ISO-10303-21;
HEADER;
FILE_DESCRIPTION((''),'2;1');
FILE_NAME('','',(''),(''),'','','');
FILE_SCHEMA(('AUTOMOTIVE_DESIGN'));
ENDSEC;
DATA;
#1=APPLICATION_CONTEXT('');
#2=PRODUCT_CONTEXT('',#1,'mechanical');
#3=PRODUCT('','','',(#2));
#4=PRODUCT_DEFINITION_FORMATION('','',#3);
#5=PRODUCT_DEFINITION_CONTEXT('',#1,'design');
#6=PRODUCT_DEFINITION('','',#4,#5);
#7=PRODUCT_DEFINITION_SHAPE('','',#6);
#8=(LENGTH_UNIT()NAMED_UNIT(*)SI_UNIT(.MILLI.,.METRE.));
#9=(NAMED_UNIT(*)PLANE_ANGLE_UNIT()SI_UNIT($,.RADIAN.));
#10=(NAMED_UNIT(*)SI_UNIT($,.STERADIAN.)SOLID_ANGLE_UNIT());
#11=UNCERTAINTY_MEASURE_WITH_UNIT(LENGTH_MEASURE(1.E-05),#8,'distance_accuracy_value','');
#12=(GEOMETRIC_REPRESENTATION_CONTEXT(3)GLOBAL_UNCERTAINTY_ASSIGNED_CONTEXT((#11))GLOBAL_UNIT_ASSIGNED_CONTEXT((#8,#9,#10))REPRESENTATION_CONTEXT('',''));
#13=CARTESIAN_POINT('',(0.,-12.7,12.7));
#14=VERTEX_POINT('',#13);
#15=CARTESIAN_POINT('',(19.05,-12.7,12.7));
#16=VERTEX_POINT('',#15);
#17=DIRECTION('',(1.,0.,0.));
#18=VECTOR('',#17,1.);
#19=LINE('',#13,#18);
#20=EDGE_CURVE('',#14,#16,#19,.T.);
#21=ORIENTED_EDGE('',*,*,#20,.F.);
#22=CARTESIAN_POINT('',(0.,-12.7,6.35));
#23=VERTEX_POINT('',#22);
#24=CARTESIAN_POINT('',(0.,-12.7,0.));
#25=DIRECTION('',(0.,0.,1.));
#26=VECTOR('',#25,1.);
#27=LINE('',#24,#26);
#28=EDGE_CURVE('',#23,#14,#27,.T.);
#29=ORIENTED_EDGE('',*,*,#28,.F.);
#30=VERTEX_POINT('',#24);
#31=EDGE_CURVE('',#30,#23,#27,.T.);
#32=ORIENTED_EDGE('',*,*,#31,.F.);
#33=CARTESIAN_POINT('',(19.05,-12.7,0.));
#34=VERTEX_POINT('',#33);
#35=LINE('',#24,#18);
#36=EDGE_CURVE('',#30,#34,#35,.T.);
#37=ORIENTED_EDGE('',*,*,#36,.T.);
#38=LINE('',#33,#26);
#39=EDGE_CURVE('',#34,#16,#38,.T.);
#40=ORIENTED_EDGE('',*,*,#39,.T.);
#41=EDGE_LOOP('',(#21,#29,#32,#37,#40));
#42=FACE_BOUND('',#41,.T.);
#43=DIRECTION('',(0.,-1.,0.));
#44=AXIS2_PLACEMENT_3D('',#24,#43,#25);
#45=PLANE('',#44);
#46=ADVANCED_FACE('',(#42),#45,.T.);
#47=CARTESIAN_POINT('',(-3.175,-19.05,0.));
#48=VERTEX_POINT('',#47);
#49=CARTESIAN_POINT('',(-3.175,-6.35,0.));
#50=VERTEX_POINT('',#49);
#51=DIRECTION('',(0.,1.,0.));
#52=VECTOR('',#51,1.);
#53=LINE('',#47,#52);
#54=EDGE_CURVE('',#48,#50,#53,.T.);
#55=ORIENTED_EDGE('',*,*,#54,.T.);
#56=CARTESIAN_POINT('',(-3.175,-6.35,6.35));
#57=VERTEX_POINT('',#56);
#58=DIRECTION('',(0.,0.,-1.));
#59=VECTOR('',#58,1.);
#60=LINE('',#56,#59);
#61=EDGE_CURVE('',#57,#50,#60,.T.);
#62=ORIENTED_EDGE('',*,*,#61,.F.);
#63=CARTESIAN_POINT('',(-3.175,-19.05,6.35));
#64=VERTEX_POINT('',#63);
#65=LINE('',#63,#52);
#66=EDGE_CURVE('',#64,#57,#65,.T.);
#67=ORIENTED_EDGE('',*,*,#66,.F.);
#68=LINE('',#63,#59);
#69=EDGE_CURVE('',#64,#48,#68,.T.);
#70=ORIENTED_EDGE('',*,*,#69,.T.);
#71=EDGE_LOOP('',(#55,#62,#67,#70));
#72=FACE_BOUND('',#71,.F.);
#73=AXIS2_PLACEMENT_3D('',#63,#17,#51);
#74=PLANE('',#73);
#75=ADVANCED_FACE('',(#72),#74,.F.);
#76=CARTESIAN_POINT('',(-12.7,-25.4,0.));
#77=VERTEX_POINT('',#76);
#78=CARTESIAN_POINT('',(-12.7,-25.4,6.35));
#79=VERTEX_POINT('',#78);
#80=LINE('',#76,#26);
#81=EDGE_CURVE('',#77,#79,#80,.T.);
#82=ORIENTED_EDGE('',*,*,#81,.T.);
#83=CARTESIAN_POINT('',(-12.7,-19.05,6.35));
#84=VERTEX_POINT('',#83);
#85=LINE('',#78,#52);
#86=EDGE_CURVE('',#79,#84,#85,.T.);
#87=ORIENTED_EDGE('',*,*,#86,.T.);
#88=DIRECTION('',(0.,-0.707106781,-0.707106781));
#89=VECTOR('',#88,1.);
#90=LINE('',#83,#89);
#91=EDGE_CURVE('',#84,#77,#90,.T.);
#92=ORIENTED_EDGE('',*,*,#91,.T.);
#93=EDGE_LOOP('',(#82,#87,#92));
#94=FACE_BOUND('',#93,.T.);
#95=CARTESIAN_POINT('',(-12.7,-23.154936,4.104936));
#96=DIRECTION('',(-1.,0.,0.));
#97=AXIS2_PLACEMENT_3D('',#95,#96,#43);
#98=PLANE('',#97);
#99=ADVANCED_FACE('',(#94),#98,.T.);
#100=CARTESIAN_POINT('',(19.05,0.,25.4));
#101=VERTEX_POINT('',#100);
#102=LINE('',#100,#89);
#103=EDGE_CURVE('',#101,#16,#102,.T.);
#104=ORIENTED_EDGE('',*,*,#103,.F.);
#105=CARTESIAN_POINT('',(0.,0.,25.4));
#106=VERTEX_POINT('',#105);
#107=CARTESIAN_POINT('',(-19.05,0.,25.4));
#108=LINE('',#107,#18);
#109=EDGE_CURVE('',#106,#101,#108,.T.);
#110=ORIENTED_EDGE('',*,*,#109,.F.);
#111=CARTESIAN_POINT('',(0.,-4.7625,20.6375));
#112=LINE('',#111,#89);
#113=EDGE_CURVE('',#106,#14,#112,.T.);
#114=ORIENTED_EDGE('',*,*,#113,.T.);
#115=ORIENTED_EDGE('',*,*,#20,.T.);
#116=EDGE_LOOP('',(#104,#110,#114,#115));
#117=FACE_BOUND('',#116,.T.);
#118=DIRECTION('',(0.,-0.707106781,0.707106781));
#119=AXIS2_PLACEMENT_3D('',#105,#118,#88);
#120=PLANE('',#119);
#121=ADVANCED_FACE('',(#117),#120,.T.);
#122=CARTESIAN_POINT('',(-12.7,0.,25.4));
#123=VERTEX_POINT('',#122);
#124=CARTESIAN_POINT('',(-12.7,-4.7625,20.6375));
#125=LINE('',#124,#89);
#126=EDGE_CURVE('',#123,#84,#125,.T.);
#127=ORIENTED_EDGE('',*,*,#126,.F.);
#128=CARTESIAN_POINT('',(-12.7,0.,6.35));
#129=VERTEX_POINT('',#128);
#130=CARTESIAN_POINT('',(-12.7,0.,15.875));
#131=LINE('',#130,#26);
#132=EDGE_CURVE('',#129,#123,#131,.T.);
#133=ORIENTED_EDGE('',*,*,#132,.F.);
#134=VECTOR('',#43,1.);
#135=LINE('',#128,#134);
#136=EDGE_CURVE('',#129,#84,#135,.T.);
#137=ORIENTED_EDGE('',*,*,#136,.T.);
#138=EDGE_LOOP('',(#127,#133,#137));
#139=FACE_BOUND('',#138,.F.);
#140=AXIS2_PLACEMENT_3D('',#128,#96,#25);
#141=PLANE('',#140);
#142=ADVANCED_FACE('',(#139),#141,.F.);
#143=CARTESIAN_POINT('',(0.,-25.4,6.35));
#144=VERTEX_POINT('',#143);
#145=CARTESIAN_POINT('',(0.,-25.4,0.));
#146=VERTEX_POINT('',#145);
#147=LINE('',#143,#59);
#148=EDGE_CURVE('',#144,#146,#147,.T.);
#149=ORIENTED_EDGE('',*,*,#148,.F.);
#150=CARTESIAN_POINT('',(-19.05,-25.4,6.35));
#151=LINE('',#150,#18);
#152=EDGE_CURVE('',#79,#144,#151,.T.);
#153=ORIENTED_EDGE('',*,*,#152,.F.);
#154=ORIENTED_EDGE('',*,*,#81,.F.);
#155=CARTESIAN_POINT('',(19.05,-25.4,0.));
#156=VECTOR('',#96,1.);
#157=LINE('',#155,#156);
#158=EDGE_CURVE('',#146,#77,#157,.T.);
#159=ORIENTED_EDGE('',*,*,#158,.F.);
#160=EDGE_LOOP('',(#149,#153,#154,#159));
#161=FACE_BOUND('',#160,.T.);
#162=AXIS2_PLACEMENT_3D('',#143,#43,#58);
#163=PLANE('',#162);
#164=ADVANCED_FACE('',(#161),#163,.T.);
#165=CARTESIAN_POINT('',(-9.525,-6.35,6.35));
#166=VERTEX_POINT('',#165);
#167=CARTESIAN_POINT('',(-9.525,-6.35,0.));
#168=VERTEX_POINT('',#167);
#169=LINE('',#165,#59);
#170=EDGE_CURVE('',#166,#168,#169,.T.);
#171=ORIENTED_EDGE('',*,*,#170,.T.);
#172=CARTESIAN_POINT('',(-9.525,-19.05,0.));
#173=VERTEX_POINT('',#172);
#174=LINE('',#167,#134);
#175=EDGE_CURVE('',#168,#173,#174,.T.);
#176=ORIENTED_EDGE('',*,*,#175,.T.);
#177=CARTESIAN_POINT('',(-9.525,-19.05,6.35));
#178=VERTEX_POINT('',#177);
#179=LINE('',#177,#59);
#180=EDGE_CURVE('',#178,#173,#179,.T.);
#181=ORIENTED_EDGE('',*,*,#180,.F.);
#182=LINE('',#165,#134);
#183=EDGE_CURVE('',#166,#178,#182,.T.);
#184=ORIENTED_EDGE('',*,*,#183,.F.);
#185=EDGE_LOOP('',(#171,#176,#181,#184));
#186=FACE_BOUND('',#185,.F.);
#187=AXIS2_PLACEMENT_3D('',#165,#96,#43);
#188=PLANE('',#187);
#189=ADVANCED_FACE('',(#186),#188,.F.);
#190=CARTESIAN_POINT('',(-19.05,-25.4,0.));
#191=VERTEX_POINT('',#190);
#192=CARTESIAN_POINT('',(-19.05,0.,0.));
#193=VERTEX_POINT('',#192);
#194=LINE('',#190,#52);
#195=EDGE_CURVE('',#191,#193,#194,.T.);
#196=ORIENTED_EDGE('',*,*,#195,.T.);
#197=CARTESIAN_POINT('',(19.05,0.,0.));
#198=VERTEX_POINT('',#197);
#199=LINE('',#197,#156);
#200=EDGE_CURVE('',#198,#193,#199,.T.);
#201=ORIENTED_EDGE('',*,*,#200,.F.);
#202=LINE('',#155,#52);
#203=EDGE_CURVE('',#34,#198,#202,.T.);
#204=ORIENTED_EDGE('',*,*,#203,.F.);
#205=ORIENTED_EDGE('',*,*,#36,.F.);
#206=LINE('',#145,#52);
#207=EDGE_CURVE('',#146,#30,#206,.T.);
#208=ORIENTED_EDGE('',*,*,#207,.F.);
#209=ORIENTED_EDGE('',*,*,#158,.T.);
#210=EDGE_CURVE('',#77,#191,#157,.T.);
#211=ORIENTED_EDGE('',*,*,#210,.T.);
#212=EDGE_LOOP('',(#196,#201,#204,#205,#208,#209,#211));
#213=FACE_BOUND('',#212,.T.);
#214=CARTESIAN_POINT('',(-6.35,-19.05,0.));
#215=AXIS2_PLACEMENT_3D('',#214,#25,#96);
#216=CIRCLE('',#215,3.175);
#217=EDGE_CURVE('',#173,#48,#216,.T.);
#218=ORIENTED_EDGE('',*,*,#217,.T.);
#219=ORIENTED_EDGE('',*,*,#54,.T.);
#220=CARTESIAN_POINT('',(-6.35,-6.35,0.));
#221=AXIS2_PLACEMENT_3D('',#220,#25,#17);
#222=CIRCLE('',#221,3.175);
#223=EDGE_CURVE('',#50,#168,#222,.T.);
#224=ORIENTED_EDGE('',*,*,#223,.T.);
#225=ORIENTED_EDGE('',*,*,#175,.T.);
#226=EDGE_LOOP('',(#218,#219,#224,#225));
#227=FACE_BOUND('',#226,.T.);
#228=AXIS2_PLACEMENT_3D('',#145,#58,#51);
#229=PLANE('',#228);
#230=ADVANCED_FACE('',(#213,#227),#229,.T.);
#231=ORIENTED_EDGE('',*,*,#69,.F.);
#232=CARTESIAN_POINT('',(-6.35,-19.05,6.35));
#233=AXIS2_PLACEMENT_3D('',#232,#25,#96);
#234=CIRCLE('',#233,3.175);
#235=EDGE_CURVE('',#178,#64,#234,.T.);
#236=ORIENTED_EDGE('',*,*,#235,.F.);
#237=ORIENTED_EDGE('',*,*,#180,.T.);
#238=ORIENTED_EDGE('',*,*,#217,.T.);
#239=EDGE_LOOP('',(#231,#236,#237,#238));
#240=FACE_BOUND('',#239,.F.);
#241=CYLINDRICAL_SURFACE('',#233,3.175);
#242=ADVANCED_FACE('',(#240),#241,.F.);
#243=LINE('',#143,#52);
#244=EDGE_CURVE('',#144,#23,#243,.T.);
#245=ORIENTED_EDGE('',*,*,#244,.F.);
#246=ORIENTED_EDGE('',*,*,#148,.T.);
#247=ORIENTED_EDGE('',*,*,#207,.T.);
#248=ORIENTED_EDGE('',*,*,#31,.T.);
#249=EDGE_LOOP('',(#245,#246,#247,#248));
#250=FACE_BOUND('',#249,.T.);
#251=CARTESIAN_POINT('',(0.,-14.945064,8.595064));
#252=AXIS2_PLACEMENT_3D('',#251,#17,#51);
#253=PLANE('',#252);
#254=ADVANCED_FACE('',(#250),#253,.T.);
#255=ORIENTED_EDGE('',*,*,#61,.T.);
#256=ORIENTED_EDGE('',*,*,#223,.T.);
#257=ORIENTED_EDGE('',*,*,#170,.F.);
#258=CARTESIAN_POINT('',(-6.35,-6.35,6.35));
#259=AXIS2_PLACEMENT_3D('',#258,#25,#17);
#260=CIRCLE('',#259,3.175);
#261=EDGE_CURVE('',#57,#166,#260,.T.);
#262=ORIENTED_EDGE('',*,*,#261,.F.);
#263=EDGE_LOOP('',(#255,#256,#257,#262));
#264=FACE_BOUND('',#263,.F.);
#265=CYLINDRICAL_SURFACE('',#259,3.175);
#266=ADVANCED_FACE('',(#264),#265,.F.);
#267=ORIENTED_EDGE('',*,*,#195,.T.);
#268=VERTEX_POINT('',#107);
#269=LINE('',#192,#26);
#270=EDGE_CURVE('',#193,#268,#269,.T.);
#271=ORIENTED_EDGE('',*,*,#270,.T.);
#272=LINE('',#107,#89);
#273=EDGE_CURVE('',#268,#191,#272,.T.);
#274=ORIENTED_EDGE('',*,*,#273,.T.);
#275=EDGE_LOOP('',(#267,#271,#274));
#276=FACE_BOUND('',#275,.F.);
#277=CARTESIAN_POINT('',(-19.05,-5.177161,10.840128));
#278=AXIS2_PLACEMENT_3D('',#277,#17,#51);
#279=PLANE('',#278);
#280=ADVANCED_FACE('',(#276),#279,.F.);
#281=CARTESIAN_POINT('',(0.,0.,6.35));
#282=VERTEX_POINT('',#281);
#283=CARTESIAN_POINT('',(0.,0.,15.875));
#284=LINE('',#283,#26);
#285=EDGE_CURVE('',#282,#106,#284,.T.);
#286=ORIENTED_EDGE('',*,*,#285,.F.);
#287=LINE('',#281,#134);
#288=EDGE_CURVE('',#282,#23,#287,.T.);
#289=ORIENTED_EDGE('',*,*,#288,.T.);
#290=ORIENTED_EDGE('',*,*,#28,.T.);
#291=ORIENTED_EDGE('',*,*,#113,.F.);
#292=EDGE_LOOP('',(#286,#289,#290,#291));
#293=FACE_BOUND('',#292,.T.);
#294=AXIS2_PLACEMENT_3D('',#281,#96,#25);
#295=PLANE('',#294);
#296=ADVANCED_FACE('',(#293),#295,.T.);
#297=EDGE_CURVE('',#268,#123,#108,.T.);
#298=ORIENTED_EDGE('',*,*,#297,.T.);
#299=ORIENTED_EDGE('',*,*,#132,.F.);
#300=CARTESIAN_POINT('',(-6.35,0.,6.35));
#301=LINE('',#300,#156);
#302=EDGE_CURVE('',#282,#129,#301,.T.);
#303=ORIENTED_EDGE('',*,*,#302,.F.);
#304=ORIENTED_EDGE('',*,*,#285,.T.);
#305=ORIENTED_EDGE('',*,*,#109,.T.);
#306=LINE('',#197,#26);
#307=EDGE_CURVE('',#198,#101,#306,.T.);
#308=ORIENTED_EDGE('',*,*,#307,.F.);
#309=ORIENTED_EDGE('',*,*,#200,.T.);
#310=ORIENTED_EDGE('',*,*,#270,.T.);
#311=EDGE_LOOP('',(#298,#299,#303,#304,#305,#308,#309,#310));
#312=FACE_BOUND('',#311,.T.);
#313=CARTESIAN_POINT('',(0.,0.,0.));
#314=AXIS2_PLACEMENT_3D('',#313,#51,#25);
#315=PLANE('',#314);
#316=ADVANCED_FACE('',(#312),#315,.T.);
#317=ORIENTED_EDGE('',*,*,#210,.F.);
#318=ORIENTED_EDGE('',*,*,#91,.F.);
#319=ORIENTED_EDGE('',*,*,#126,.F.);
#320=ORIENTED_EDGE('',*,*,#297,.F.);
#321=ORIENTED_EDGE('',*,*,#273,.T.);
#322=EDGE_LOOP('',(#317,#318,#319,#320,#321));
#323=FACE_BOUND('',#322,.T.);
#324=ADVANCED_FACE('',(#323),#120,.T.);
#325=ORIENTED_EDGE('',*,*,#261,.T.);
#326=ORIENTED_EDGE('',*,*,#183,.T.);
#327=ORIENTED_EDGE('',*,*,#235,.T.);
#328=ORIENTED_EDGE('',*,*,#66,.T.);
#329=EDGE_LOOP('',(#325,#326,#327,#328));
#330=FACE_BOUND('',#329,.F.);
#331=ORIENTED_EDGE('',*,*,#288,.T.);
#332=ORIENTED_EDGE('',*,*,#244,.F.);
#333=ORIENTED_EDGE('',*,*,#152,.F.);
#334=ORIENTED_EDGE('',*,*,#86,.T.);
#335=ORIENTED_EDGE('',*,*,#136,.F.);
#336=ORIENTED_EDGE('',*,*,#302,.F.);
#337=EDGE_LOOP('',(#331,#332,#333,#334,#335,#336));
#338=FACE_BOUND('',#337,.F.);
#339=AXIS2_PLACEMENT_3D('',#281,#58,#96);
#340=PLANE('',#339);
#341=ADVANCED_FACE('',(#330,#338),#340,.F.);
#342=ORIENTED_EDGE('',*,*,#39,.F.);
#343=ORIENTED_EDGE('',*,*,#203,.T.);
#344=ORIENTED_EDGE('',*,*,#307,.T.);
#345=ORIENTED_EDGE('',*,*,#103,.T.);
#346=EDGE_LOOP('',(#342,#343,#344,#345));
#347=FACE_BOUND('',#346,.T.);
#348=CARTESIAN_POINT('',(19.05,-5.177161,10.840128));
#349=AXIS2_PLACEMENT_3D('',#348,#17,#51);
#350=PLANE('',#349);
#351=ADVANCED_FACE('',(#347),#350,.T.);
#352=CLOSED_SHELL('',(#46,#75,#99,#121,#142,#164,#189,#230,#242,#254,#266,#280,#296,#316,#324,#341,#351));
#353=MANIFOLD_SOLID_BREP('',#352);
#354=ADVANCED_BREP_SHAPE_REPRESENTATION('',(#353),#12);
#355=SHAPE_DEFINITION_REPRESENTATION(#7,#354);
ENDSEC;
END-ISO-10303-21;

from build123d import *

# Parameters (mm, degrees)
F1_DEPTH = 19.05
F2_DEPTH = 19.05
F3_W     = 12.7
F3_H     = 19.05
F4_DEPTH = 25.4
F6_DEPTH = 6.35
F8_DEPTH = 6.35


with BuildPart() as f1:
    # F0 (on Right) → F1 (new body, symmetric)
    with BuildSketch(Plane.YZ):
        Polygon((-12.7, 0), (0, 0), (0, 25.4), (-12.7, 12.7), (-12.7, 6.35), align=None)
        Polygon((-25.4, 0), (-12.7, 0), (-12.7, 6.35), (-19.05, 6.35), align=None)
        Polygon((-12.7, 6.35), (-12.7, 12.7), (-19.05, 6.35), align=None)
        Polygon((-25.4, 6.35), (-25.4, 0), (-19.05, 6.35), align=None)
    extrude(amount=F1_DEPTH, both=True)

    # F0 (on Right) → F2 (cut)
    with BuildSketch(Plane.YZ):
        Polygon((-12.7, 6.35), (-12.7, 12.7), (-19.05, 6.35), align=None)
        Polygon((-25.4, 6.35), (-25.4, 0), (-19.05, 6.35), align=None)
        Polygon((-25.4, 0), (-12.7, 0), (-12.7, 6.35), (-19.05, 6.35), align=None)
    extrude(amount=F2_DEPTH, mode=Mode.SUBTRACT)

    # F3 (on face) → F4 (cut)
    with BuildSketch(Plane(origin=(0, 0, 0), x_dir=(-1, 0, 0), z_dir=(0, 1, 0))):
        with Locations((6.35, 15.875)):
            Rectangle(F3_W, F3_H)
    extrude(amount=-F4_DEPTH, mode=Mode.SUBTRACT)

    # F5 (on face) → F6 (cut)
    with BuildSketch(Plane(origin=(-19.05, 0, 0), x_dir=(0, -1, 0), z_dir=(-1, 0, 0))):
        Polygon((25.4, 6.35), (19.05, 6.35), (25.4, 0), align=None)
    extrude(amount=-F6_DEPTH, mode=Mode.SUBTRACT)

    # F7 (on face) → F8 (cut, through all)
    with BuildSketch(Plane.XY.offset(6.35)):
        with BuildLine():
            ThreePointArc((-3.175, -6.35), (-6.35, -3.175), (-9.525, -6.35))
            Line((-9.525, -6.35), (-9.525, -19.05))
            ThreePointArc((-9.525, -19.05), (-6.35, -22.225), (-3.175, -19.05))
            Line((-3.175, -19.05), (-3.175, -6.35))
        make_face()
    extrude(amount=-F8_DEPTH, mode=Mode.SUBTRACT)


solid = f1.part
